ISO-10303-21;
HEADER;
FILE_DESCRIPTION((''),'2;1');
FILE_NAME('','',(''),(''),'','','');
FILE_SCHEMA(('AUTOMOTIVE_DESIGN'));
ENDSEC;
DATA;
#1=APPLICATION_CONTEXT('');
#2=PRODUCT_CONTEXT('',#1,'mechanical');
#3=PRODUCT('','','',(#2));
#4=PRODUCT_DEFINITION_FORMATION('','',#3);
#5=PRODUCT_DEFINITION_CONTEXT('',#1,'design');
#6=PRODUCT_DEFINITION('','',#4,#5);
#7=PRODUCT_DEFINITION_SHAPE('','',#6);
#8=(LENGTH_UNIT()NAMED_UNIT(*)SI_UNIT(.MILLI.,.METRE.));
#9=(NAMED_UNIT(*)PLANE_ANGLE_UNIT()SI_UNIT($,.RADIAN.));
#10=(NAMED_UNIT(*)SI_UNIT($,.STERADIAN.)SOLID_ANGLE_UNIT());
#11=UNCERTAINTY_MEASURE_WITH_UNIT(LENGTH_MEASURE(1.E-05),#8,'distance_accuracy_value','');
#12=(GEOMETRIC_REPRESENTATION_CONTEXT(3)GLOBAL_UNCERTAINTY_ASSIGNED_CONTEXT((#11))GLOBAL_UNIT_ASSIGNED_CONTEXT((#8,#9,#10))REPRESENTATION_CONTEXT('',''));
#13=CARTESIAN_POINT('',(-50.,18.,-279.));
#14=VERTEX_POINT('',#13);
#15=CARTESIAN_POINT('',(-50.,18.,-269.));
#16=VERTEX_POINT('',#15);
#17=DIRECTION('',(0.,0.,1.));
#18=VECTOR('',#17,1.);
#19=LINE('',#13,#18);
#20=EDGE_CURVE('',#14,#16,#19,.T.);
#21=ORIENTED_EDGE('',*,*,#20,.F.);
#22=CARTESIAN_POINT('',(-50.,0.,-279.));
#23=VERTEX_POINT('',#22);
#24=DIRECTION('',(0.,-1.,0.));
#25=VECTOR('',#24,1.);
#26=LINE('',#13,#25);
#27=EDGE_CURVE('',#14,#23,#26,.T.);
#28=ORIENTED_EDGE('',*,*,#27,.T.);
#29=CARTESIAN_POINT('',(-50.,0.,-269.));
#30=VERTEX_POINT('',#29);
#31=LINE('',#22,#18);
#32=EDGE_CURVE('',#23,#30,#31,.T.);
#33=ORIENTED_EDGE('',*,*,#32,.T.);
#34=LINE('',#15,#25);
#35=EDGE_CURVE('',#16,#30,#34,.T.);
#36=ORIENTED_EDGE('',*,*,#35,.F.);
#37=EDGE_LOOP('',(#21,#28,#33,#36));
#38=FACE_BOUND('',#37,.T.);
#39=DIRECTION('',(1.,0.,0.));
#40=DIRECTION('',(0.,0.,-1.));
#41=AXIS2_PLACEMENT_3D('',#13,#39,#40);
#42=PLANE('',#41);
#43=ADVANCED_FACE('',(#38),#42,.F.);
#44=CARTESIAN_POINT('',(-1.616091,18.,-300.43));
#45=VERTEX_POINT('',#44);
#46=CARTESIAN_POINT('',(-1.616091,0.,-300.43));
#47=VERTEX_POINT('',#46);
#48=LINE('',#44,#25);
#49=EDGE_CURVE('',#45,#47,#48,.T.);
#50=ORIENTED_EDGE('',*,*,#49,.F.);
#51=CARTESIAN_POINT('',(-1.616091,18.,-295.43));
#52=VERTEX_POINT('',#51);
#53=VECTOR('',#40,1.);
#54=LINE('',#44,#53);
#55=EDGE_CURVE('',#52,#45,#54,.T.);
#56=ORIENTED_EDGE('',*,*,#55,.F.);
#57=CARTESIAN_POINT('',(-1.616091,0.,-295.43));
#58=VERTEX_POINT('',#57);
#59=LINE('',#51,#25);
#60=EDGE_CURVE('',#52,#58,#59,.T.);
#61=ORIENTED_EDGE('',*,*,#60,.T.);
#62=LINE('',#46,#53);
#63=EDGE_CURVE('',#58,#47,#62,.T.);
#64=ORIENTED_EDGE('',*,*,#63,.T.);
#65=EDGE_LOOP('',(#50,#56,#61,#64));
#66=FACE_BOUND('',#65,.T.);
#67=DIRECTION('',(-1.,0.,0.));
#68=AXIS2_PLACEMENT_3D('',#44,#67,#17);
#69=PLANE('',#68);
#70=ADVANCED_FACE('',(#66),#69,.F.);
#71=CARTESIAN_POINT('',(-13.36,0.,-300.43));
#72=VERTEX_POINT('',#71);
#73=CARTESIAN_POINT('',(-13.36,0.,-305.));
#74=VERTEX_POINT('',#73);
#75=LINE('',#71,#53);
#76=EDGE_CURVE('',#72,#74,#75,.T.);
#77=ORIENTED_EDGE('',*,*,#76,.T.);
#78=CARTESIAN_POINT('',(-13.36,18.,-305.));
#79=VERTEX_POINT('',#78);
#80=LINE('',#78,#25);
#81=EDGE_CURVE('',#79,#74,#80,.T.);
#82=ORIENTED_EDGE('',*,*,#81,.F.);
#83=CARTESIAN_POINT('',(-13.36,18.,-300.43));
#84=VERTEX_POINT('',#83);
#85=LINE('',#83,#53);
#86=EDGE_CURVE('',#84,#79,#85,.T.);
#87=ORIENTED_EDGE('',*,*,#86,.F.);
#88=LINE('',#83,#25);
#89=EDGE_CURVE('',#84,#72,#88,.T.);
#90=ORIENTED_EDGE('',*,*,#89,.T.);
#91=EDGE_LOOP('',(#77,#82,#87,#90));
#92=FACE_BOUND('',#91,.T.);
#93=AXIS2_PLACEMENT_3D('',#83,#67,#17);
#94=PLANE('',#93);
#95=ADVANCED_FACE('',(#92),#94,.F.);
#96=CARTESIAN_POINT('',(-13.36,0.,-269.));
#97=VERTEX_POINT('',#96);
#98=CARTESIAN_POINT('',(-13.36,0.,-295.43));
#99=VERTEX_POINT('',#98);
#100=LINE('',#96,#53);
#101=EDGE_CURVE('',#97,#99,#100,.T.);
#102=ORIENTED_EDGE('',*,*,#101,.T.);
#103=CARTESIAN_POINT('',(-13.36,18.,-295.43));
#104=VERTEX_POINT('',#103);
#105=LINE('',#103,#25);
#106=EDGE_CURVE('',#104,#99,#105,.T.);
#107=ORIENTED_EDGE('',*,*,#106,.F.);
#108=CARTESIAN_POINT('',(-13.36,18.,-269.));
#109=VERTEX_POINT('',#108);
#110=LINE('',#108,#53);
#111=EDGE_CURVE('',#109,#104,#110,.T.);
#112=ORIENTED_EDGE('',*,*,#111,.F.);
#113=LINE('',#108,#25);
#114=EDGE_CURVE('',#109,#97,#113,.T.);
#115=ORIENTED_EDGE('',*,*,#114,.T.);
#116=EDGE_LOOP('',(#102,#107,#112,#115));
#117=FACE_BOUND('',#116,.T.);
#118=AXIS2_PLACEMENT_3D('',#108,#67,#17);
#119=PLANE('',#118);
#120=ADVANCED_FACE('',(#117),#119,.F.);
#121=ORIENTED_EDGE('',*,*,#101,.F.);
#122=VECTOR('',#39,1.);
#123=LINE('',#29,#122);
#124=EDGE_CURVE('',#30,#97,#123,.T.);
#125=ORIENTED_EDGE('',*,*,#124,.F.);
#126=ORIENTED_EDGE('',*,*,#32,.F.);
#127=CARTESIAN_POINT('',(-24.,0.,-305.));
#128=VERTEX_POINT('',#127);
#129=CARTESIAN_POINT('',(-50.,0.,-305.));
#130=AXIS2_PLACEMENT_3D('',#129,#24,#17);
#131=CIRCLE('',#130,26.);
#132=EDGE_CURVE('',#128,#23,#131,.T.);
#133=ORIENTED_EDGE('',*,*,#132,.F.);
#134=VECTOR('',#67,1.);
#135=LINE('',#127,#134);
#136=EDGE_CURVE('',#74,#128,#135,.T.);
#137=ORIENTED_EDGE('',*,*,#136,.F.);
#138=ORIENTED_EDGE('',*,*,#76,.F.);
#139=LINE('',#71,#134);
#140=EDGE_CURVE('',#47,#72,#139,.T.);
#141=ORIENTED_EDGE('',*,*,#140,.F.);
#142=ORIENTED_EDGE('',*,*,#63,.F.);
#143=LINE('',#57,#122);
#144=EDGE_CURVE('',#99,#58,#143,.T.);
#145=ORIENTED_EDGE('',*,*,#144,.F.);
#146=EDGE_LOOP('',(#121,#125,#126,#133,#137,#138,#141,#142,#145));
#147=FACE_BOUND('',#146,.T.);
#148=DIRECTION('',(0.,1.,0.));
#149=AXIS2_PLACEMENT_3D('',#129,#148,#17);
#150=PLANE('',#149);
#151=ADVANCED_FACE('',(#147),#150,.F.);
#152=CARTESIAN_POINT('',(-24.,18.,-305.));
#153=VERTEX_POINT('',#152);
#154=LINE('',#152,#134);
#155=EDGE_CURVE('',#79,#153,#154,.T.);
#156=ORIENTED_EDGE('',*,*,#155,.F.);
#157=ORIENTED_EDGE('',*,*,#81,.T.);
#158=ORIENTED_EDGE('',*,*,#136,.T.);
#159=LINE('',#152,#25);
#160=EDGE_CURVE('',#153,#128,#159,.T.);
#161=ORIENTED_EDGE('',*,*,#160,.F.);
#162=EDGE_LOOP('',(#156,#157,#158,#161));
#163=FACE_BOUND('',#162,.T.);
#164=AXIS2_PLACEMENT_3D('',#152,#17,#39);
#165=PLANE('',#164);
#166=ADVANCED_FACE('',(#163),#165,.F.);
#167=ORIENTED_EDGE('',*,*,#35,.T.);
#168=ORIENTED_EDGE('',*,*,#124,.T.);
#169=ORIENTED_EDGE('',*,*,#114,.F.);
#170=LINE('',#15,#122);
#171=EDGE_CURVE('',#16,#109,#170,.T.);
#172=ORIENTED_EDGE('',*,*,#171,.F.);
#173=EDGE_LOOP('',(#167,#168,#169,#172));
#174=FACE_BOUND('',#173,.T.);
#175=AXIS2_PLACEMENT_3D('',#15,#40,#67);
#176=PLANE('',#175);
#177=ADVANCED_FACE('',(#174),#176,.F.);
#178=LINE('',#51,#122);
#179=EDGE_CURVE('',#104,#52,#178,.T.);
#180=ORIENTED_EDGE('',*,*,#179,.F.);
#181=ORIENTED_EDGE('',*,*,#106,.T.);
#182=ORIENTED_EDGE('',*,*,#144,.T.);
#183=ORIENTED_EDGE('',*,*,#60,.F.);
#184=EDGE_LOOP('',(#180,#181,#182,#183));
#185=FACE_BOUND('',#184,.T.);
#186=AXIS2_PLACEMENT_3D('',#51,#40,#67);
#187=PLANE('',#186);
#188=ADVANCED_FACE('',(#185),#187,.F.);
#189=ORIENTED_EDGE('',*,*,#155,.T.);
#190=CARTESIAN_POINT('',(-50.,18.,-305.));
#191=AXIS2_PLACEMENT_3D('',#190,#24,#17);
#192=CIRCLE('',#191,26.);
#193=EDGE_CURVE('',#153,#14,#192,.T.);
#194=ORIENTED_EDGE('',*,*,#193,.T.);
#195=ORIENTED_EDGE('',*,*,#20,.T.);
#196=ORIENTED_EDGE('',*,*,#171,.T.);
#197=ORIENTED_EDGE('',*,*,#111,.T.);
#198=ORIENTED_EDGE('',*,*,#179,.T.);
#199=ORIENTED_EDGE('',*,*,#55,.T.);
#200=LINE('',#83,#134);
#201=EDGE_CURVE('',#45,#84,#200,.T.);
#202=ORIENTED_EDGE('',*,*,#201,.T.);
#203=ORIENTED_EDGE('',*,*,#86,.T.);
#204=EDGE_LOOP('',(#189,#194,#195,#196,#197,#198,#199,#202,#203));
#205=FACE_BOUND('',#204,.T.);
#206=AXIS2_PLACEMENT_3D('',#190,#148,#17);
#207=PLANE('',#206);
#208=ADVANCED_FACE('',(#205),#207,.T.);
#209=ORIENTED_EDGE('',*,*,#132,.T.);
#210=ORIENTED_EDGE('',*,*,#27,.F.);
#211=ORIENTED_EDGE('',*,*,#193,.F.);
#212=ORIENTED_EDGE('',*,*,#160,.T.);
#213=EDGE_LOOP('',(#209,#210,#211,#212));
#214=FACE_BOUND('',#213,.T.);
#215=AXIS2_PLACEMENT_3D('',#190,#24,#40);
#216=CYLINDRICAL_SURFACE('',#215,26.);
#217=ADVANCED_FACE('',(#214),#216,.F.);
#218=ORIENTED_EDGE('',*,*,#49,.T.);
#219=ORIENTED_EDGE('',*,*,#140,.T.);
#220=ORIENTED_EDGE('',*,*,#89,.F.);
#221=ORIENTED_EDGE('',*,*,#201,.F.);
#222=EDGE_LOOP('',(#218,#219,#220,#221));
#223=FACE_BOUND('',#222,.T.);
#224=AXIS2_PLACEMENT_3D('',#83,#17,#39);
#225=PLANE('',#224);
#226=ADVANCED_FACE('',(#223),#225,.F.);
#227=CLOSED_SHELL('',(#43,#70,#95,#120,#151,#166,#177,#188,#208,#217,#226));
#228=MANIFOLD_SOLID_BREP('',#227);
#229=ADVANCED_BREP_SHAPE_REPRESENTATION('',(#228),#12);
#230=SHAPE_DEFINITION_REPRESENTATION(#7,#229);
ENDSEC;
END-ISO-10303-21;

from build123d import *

# Parameters (mm, degrees)
BOSS_EXTRUDE1_DEPTH = 18


with BuildPart() as part:
    # Sketch1 → Boss-Extrude1 (new body)
    with BuildSketch(Plane(origin=(0, 0, 0), x_dir=(1, 0, 0), z_dir=(0, 1, 0))):
        with BuildLine():
            Line((-24, 305), (-13.36, 305))
            Line((-13.36, 305), (-13.36, 300.43))
            Line((-13.36, 300.43), (-1.616090732, 300.43))
            Line((-1.616090732, 300.43), (-1.616090732, 295.43))
            Line((-1.616090732, 295.43), (-13.36, 295.43))
            Line((-13.36, 295.43), (-13.36, 269))
            Line((-13.36, 269), (-50, 269))
            Line((-50, 269), (-50, 279))
            ThreePointArc((-50, 279), (-31.615223689, 286.615223689), (-24, 305))
        make_face()
    extrude(amount=BOSS_EXTRUDE1_DEPTH)


solid = part.part
